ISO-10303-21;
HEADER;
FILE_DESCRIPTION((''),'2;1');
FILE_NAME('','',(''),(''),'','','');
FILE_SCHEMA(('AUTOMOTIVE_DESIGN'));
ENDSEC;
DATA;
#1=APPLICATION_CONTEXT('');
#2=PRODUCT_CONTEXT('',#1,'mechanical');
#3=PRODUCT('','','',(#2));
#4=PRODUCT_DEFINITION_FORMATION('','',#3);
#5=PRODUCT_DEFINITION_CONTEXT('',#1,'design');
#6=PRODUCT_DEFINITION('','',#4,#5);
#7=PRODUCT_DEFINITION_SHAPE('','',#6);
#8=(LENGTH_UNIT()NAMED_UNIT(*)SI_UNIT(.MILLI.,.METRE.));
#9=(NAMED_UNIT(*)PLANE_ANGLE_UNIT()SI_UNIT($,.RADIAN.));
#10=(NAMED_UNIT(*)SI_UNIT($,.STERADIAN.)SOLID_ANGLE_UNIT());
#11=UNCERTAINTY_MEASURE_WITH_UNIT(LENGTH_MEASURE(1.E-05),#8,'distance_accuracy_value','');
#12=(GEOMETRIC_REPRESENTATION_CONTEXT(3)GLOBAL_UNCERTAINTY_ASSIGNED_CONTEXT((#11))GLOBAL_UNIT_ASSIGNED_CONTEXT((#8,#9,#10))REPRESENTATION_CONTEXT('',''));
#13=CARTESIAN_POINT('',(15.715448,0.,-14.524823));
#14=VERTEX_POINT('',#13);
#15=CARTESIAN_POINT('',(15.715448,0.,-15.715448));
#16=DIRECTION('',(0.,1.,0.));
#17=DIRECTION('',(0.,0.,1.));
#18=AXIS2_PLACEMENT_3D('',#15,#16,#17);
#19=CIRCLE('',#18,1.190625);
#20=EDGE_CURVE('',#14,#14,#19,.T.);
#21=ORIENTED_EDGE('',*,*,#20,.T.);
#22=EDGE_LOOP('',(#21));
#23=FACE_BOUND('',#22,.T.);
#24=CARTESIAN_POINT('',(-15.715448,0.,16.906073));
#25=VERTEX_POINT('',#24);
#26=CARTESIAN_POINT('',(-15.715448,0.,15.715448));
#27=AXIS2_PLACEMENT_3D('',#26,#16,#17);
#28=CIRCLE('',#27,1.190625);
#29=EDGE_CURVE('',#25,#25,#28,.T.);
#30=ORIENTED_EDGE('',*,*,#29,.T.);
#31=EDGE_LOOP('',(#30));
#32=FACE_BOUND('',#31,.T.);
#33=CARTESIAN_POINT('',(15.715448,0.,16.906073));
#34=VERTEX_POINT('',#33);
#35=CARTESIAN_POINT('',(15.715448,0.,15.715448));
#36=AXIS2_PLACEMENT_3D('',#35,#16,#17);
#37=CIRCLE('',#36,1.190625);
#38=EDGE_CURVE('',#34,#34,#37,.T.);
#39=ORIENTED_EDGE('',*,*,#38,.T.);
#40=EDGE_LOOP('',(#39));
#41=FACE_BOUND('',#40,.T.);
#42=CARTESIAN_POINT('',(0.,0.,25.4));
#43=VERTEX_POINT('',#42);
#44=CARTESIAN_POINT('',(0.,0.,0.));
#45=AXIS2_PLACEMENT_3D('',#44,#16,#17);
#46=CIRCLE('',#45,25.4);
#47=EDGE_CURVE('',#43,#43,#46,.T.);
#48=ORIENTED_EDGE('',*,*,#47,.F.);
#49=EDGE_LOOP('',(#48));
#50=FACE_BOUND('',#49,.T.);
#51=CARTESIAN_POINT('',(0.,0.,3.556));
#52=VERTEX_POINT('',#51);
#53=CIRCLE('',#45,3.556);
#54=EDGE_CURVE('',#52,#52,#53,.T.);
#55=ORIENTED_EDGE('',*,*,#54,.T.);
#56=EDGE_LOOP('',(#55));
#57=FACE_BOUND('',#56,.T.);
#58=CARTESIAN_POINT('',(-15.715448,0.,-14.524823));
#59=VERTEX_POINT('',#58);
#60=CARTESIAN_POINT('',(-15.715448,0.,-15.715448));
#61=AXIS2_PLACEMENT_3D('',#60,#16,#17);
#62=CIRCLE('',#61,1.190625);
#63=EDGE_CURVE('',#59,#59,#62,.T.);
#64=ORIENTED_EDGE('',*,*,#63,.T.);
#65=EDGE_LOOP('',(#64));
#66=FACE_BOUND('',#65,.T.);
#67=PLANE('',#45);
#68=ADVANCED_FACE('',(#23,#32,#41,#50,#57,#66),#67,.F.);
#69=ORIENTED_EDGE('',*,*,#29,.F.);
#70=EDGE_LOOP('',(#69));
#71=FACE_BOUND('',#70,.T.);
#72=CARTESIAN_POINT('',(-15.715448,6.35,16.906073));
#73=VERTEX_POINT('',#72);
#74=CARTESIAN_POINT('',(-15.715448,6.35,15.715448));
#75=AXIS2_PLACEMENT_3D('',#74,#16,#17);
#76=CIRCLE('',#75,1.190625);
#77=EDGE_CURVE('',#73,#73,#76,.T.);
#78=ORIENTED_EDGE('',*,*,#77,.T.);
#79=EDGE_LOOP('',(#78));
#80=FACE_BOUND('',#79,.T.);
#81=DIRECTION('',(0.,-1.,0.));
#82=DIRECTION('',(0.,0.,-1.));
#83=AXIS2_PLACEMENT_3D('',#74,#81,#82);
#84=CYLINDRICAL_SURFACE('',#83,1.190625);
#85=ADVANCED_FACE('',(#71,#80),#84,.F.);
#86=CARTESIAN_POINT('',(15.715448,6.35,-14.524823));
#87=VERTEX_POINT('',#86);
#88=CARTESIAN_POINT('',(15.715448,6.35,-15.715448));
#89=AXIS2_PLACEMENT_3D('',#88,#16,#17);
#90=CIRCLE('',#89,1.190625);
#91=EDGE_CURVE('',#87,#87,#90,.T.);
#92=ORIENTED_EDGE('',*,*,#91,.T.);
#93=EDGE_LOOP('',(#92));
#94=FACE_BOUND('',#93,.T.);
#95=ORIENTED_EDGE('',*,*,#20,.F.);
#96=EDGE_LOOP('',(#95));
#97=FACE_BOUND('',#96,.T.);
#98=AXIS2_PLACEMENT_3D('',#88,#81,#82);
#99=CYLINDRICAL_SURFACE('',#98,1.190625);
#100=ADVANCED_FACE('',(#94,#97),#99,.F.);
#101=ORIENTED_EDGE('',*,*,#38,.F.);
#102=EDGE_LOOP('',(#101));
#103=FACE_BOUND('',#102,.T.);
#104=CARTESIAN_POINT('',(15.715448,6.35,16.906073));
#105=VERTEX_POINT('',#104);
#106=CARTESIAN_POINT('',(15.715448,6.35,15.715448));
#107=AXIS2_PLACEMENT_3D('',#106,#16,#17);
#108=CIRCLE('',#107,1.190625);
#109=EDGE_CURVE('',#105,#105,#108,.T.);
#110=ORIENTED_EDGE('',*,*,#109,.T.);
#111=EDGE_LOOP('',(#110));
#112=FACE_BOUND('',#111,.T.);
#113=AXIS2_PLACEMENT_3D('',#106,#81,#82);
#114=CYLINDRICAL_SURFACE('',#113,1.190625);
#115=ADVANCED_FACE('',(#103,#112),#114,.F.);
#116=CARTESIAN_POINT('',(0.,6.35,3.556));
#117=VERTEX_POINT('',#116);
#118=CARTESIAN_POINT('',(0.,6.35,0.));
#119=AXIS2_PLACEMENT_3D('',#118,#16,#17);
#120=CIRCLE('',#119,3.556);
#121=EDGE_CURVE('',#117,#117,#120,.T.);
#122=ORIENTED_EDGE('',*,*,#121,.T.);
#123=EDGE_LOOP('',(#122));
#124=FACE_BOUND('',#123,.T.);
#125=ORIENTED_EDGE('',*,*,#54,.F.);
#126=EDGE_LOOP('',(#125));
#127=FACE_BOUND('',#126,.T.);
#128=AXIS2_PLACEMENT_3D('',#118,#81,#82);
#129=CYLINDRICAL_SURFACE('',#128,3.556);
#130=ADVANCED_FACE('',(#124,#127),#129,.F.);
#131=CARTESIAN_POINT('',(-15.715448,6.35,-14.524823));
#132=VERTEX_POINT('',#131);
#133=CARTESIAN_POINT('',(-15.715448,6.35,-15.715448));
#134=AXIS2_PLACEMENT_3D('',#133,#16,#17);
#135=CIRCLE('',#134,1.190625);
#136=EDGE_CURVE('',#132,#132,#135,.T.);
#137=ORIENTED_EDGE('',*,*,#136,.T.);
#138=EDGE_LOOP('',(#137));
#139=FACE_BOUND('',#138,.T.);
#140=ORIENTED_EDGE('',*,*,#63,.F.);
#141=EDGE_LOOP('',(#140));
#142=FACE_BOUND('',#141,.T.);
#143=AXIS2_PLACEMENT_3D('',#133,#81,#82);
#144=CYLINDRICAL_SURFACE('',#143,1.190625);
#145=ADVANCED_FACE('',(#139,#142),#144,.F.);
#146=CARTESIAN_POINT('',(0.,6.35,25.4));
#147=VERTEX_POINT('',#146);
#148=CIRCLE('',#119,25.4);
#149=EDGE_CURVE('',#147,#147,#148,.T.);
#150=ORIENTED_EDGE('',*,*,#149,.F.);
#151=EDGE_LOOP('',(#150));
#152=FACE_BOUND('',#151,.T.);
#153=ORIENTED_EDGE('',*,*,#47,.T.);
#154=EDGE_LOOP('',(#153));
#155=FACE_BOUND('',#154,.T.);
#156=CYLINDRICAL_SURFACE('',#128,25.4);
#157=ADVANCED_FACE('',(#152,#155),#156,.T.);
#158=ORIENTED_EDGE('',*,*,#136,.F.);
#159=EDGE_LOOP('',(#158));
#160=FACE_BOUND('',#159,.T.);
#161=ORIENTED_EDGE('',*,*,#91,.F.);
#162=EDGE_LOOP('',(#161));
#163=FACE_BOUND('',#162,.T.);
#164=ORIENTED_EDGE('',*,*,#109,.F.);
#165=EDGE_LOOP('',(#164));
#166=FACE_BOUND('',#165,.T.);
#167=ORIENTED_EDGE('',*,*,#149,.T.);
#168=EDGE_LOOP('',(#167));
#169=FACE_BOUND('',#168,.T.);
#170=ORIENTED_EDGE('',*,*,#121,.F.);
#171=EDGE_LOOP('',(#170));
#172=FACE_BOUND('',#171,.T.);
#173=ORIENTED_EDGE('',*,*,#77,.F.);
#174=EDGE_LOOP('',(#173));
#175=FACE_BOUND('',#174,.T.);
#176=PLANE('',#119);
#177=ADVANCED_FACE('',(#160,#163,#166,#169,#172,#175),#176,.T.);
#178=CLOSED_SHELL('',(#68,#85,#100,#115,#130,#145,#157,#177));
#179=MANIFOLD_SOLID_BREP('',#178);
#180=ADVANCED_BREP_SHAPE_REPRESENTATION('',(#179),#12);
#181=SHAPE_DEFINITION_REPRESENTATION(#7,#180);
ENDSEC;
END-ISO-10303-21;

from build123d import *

# Parameters (mm, degrees)
SKETCH1_R           = 25.4
SKETCH1_R_2         = 1.190625
SKETCH1_R_3         = 3.556
BOSS_EXTRUDE1_DEPTH = 6.35


with BuildPart() as part:
    # Sketch1 → Boss-Extrude1 (new body)
    with BuildSketch(Plane(origin=(0, 0, 0), x_dir=(1, 0, 0), z_dir=(0, 1, 0))):
        Circle(SKETCH1_R)
        with Locations((-15.715448212, 15.715448212)):
            Circle(SKETCH1_R_2, mode=Mode.SUBTRACT)
        with Locations((15.715448212, 15.715448212)):
            Circle(SKETCH1_R_2, mode=Mode.SUBTRACT)
        with Locations((15.715448212, -15.715448212)):
            Circle(SKETCH1_R_2, mode=Mode.SUBTRACT)
        with Locations((-15.715448212, -15.715448212)):
            Circle(SKETCH1_R_2, mode=Mode.SUBTRACT)
        Circle(SKETCH1_R_3, mode=Mode.SUBTRACT)
    extrude(amount=BOSS_EXTRUDE1_DEPTH)


solid = part.part
